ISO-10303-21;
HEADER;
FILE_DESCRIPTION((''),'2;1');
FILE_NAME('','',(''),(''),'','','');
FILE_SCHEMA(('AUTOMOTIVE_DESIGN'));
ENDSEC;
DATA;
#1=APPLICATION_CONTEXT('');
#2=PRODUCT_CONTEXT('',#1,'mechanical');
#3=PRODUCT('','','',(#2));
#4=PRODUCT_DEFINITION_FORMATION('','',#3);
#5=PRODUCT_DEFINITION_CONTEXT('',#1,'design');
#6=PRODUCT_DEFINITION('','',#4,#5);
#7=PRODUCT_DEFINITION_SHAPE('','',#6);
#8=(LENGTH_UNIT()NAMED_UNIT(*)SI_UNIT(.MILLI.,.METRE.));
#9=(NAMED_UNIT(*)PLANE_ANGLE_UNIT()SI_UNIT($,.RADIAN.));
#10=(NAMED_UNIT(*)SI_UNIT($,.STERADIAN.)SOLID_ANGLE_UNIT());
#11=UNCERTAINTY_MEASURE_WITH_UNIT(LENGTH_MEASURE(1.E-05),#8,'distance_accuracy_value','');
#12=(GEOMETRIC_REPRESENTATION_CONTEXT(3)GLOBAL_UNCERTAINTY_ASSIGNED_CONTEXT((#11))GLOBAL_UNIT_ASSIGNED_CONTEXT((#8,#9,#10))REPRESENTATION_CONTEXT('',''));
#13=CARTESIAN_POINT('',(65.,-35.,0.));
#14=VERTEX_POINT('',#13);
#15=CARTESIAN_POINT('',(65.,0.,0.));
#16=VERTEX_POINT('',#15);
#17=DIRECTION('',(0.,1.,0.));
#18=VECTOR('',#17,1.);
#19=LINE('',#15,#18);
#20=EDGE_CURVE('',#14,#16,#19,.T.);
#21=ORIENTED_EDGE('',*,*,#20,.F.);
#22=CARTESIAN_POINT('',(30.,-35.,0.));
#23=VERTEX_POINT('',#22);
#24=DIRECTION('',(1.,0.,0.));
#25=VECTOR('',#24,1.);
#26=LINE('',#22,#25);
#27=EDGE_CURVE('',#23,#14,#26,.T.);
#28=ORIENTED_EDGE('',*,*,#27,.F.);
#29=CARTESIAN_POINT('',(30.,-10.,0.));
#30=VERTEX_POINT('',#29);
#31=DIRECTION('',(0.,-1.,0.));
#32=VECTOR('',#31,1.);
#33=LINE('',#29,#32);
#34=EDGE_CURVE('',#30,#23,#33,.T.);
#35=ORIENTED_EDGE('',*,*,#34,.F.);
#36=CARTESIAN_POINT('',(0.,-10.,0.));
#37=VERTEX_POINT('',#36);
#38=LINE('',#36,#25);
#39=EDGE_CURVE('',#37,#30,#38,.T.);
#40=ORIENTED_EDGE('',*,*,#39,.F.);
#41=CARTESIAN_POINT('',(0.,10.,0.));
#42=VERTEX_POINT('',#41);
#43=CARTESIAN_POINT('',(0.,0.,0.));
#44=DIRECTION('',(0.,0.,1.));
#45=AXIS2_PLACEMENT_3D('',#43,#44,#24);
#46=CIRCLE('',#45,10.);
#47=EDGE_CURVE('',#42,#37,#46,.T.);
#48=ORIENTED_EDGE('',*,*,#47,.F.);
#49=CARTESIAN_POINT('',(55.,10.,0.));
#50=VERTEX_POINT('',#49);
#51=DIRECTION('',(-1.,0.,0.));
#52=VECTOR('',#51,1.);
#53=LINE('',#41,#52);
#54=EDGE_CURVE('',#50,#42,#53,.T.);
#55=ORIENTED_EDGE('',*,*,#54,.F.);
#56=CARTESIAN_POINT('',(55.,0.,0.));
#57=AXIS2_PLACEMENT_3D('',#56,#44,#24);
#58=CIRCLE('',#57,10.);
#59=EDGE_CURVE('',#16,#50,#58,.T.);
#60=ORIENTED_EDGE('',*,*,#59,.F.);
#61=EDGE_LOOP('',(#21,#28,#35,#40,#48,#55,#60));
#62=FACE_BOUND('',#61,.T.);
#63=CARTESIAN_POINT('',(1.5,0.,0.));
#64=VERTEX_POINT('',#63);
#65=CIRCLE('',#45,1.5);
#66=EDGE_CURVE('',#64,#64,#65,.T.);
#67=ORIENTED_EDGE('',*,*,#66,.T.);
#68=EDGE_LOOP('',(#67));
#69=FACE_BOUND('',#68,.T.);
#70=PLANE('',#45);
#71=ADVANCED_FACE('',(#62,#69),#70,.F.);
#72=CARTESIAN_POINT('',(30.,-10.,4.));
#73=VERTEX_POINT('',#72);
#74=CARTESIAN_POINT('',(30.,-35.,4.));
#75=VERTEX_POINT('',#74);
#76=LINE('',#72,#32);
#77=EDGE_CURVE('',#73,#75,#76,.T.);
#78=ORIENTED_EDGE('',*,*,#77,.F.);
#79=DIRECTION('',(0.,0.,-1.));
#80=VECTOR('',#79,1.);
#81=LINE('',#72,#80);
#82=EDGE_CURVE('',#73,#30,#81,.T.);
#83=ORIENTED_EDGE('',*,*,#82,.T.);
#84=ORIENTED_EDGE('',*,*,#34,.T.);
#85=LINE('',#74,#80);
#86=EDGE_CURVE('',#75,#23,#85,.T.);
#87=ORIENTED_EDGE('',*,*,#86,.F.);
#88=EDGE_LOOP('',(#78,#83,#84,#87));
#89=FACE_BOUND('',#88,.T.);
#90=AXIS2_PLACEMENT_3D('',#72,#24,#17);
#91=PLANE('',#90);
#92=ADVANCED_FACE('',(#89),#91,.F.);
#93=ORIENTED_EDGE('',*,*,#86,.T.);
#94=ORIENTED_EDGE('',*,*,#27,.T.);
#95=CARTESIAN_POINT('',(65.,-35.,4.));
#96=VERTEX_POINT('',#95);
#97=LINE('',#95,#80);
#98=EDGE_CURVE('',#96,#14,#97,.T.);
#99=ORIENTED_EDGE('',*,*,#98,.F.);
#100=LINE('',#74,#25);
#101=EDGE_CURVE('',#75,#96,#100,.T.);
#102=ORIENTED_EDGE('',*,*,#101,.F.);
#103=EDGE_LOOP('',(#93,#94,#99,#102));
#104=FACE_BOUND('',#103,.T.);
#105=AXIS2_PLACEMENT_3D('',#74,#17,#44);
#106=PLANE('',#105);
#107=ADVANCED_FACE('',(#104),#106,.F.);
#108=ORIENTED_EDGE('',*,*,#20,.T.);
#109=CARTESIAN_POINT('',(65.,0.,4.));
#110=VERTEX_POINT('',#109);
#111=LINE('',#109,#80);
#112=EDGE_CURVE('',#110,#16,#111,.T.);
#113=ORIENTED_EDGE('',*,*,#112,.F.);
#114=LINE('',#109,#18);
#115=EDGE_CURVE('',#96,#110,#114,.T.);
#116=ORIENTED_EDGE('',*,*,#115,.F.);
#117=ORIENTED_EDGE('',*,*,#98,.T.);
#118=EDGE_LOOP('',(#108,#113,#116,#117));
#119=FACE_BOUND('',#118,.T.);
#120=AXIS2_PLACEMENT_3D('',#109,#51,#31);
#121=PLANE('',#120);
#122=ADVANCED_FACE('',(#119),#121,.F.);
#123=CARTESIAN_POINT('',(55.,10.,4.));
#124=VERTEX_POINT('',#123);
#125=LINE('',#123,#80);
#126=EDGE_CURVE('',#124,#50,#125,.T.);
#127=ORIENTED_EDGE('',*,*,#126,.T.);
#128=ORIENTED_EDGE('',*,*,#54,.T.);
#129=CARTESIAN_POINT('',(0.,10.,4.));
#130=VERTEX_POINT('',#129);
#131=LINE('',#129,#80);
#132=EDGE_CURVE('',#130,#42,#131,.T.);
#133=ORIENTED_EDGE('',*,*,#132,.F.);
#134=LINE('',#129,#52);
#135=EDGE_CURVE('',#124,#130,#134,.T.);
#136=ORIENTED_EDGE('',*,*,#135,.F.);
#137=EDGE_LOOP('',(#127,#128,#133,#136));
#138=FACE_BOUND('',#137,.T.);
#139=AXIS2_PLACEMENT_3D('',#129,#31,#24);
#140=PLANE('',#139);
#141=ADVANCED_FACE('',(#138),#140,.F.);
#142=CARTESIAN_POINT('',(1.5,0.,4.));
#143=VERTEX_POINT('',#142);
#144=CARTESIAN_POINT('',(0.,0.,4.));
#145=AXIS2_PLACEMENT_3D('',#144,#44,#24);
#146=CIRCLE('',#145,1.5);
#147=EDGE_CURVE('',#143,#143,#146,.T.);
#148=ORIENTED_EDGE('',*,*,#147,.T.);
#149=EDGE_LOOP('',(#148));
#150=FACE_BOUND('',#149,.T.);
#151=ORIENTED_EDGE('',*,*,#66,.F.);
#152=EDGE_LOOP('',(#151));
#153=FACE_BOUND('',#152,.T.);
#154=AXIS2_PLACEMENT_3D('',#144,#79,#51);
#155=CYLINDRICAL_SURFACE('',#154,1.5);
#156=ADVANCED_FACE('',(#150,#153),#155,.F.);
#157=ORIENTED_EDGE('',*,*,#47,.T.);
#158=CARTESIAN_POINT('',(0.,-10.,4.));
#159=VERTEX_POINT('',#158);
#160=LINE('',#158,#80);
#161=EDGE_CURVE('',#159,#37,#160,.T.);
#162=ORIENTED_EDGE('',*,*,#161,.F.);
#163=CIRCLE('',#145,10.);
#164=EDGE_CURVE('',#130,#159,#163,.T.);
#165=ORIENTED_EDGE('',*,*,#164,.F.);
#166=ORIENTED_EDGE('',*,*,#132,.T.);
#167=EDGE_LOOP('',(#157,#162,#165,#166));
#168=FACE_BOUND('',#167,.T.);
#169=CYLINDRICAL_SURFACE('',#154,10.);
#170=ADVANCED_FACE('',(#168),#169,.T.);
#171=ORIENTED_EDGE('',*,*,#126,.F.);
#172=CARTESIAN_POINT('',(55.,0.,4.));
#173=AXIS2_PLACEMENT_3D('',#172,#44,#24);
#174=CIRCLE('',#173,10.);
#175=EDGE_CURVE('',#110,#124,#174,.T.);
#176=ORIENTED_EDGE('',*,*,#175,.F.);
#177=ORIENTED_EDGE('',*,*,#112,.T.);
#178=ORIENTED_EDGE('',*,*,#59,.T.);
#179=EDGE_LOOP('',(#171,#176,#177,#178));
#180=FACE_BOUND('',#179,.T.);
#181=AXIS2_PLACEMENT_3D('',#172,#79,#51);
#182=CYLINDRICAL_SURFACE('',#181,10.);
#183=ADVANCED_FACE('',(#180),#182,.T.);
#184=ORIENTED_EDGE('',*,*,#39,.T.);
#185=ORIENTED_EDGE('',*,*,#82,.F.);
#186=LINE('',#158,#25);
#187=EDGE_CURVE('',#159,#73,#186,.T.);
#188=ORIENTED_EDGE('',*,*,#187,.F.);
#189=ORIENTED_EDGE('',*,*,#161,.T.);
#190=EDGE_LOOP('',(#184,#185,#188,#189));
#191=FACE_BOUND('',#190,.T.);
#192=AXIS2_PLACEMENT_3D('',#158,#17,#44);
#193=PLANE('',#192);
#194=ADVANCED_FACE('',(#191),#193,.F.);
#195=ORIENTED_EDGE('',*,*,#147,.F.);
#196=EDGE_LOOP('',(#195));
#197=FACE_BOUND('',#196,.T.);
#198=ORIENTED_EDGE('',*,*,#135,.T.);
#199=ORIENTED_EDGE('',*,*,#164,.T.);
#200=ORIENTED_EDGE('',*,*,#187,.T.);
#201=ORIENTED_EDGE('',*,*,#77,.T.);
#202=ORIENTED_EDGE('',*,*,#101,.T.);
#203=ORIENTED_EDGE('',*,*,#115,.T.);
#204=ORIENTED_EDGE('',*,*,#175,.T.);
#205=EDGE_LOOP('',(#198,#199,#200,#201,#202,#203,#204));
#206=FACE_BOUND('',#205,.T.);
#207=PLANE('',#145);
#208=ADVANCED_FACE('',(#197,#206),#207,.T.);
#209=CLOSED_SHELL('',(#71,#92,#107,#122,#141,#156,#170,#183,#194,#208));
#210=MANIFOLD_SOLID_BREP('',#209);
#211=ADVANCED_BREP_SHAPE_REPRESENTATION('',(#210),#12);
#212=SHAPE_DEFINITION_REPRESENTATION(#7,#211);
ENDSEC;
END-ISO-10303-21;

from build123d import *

# Parameters (mm, degrees)
SKETCH1_R           = 1.5
BOSS_EXTRUDE1_DEPTH = 4


with BuildPart() as part:
    # Sketch1 → Boss-Extrude1 (new body)
    with BuildSketch(Plane.XY):
        with BuildLine():
            Line((0, 10), (55, 10))
            ThreePointArc((55, 10), (62.071067812, 7.071067812), (65, 0))
            Line((65, 0), (65, -35))
            Line((65, -35), (30, -35))
            Line((30, -35), (30, -10))
            Line((30, -10), (0, -10))
            ThreePointArc((0, -10), (-10, 0), (0, 10))
        make_face()
        Circle(SKETCH1_R, mode=Mode.SUBTRACT)
    extrude(amount=BOSS_EXTRUDE1_DEPTH)


solid = part.part
